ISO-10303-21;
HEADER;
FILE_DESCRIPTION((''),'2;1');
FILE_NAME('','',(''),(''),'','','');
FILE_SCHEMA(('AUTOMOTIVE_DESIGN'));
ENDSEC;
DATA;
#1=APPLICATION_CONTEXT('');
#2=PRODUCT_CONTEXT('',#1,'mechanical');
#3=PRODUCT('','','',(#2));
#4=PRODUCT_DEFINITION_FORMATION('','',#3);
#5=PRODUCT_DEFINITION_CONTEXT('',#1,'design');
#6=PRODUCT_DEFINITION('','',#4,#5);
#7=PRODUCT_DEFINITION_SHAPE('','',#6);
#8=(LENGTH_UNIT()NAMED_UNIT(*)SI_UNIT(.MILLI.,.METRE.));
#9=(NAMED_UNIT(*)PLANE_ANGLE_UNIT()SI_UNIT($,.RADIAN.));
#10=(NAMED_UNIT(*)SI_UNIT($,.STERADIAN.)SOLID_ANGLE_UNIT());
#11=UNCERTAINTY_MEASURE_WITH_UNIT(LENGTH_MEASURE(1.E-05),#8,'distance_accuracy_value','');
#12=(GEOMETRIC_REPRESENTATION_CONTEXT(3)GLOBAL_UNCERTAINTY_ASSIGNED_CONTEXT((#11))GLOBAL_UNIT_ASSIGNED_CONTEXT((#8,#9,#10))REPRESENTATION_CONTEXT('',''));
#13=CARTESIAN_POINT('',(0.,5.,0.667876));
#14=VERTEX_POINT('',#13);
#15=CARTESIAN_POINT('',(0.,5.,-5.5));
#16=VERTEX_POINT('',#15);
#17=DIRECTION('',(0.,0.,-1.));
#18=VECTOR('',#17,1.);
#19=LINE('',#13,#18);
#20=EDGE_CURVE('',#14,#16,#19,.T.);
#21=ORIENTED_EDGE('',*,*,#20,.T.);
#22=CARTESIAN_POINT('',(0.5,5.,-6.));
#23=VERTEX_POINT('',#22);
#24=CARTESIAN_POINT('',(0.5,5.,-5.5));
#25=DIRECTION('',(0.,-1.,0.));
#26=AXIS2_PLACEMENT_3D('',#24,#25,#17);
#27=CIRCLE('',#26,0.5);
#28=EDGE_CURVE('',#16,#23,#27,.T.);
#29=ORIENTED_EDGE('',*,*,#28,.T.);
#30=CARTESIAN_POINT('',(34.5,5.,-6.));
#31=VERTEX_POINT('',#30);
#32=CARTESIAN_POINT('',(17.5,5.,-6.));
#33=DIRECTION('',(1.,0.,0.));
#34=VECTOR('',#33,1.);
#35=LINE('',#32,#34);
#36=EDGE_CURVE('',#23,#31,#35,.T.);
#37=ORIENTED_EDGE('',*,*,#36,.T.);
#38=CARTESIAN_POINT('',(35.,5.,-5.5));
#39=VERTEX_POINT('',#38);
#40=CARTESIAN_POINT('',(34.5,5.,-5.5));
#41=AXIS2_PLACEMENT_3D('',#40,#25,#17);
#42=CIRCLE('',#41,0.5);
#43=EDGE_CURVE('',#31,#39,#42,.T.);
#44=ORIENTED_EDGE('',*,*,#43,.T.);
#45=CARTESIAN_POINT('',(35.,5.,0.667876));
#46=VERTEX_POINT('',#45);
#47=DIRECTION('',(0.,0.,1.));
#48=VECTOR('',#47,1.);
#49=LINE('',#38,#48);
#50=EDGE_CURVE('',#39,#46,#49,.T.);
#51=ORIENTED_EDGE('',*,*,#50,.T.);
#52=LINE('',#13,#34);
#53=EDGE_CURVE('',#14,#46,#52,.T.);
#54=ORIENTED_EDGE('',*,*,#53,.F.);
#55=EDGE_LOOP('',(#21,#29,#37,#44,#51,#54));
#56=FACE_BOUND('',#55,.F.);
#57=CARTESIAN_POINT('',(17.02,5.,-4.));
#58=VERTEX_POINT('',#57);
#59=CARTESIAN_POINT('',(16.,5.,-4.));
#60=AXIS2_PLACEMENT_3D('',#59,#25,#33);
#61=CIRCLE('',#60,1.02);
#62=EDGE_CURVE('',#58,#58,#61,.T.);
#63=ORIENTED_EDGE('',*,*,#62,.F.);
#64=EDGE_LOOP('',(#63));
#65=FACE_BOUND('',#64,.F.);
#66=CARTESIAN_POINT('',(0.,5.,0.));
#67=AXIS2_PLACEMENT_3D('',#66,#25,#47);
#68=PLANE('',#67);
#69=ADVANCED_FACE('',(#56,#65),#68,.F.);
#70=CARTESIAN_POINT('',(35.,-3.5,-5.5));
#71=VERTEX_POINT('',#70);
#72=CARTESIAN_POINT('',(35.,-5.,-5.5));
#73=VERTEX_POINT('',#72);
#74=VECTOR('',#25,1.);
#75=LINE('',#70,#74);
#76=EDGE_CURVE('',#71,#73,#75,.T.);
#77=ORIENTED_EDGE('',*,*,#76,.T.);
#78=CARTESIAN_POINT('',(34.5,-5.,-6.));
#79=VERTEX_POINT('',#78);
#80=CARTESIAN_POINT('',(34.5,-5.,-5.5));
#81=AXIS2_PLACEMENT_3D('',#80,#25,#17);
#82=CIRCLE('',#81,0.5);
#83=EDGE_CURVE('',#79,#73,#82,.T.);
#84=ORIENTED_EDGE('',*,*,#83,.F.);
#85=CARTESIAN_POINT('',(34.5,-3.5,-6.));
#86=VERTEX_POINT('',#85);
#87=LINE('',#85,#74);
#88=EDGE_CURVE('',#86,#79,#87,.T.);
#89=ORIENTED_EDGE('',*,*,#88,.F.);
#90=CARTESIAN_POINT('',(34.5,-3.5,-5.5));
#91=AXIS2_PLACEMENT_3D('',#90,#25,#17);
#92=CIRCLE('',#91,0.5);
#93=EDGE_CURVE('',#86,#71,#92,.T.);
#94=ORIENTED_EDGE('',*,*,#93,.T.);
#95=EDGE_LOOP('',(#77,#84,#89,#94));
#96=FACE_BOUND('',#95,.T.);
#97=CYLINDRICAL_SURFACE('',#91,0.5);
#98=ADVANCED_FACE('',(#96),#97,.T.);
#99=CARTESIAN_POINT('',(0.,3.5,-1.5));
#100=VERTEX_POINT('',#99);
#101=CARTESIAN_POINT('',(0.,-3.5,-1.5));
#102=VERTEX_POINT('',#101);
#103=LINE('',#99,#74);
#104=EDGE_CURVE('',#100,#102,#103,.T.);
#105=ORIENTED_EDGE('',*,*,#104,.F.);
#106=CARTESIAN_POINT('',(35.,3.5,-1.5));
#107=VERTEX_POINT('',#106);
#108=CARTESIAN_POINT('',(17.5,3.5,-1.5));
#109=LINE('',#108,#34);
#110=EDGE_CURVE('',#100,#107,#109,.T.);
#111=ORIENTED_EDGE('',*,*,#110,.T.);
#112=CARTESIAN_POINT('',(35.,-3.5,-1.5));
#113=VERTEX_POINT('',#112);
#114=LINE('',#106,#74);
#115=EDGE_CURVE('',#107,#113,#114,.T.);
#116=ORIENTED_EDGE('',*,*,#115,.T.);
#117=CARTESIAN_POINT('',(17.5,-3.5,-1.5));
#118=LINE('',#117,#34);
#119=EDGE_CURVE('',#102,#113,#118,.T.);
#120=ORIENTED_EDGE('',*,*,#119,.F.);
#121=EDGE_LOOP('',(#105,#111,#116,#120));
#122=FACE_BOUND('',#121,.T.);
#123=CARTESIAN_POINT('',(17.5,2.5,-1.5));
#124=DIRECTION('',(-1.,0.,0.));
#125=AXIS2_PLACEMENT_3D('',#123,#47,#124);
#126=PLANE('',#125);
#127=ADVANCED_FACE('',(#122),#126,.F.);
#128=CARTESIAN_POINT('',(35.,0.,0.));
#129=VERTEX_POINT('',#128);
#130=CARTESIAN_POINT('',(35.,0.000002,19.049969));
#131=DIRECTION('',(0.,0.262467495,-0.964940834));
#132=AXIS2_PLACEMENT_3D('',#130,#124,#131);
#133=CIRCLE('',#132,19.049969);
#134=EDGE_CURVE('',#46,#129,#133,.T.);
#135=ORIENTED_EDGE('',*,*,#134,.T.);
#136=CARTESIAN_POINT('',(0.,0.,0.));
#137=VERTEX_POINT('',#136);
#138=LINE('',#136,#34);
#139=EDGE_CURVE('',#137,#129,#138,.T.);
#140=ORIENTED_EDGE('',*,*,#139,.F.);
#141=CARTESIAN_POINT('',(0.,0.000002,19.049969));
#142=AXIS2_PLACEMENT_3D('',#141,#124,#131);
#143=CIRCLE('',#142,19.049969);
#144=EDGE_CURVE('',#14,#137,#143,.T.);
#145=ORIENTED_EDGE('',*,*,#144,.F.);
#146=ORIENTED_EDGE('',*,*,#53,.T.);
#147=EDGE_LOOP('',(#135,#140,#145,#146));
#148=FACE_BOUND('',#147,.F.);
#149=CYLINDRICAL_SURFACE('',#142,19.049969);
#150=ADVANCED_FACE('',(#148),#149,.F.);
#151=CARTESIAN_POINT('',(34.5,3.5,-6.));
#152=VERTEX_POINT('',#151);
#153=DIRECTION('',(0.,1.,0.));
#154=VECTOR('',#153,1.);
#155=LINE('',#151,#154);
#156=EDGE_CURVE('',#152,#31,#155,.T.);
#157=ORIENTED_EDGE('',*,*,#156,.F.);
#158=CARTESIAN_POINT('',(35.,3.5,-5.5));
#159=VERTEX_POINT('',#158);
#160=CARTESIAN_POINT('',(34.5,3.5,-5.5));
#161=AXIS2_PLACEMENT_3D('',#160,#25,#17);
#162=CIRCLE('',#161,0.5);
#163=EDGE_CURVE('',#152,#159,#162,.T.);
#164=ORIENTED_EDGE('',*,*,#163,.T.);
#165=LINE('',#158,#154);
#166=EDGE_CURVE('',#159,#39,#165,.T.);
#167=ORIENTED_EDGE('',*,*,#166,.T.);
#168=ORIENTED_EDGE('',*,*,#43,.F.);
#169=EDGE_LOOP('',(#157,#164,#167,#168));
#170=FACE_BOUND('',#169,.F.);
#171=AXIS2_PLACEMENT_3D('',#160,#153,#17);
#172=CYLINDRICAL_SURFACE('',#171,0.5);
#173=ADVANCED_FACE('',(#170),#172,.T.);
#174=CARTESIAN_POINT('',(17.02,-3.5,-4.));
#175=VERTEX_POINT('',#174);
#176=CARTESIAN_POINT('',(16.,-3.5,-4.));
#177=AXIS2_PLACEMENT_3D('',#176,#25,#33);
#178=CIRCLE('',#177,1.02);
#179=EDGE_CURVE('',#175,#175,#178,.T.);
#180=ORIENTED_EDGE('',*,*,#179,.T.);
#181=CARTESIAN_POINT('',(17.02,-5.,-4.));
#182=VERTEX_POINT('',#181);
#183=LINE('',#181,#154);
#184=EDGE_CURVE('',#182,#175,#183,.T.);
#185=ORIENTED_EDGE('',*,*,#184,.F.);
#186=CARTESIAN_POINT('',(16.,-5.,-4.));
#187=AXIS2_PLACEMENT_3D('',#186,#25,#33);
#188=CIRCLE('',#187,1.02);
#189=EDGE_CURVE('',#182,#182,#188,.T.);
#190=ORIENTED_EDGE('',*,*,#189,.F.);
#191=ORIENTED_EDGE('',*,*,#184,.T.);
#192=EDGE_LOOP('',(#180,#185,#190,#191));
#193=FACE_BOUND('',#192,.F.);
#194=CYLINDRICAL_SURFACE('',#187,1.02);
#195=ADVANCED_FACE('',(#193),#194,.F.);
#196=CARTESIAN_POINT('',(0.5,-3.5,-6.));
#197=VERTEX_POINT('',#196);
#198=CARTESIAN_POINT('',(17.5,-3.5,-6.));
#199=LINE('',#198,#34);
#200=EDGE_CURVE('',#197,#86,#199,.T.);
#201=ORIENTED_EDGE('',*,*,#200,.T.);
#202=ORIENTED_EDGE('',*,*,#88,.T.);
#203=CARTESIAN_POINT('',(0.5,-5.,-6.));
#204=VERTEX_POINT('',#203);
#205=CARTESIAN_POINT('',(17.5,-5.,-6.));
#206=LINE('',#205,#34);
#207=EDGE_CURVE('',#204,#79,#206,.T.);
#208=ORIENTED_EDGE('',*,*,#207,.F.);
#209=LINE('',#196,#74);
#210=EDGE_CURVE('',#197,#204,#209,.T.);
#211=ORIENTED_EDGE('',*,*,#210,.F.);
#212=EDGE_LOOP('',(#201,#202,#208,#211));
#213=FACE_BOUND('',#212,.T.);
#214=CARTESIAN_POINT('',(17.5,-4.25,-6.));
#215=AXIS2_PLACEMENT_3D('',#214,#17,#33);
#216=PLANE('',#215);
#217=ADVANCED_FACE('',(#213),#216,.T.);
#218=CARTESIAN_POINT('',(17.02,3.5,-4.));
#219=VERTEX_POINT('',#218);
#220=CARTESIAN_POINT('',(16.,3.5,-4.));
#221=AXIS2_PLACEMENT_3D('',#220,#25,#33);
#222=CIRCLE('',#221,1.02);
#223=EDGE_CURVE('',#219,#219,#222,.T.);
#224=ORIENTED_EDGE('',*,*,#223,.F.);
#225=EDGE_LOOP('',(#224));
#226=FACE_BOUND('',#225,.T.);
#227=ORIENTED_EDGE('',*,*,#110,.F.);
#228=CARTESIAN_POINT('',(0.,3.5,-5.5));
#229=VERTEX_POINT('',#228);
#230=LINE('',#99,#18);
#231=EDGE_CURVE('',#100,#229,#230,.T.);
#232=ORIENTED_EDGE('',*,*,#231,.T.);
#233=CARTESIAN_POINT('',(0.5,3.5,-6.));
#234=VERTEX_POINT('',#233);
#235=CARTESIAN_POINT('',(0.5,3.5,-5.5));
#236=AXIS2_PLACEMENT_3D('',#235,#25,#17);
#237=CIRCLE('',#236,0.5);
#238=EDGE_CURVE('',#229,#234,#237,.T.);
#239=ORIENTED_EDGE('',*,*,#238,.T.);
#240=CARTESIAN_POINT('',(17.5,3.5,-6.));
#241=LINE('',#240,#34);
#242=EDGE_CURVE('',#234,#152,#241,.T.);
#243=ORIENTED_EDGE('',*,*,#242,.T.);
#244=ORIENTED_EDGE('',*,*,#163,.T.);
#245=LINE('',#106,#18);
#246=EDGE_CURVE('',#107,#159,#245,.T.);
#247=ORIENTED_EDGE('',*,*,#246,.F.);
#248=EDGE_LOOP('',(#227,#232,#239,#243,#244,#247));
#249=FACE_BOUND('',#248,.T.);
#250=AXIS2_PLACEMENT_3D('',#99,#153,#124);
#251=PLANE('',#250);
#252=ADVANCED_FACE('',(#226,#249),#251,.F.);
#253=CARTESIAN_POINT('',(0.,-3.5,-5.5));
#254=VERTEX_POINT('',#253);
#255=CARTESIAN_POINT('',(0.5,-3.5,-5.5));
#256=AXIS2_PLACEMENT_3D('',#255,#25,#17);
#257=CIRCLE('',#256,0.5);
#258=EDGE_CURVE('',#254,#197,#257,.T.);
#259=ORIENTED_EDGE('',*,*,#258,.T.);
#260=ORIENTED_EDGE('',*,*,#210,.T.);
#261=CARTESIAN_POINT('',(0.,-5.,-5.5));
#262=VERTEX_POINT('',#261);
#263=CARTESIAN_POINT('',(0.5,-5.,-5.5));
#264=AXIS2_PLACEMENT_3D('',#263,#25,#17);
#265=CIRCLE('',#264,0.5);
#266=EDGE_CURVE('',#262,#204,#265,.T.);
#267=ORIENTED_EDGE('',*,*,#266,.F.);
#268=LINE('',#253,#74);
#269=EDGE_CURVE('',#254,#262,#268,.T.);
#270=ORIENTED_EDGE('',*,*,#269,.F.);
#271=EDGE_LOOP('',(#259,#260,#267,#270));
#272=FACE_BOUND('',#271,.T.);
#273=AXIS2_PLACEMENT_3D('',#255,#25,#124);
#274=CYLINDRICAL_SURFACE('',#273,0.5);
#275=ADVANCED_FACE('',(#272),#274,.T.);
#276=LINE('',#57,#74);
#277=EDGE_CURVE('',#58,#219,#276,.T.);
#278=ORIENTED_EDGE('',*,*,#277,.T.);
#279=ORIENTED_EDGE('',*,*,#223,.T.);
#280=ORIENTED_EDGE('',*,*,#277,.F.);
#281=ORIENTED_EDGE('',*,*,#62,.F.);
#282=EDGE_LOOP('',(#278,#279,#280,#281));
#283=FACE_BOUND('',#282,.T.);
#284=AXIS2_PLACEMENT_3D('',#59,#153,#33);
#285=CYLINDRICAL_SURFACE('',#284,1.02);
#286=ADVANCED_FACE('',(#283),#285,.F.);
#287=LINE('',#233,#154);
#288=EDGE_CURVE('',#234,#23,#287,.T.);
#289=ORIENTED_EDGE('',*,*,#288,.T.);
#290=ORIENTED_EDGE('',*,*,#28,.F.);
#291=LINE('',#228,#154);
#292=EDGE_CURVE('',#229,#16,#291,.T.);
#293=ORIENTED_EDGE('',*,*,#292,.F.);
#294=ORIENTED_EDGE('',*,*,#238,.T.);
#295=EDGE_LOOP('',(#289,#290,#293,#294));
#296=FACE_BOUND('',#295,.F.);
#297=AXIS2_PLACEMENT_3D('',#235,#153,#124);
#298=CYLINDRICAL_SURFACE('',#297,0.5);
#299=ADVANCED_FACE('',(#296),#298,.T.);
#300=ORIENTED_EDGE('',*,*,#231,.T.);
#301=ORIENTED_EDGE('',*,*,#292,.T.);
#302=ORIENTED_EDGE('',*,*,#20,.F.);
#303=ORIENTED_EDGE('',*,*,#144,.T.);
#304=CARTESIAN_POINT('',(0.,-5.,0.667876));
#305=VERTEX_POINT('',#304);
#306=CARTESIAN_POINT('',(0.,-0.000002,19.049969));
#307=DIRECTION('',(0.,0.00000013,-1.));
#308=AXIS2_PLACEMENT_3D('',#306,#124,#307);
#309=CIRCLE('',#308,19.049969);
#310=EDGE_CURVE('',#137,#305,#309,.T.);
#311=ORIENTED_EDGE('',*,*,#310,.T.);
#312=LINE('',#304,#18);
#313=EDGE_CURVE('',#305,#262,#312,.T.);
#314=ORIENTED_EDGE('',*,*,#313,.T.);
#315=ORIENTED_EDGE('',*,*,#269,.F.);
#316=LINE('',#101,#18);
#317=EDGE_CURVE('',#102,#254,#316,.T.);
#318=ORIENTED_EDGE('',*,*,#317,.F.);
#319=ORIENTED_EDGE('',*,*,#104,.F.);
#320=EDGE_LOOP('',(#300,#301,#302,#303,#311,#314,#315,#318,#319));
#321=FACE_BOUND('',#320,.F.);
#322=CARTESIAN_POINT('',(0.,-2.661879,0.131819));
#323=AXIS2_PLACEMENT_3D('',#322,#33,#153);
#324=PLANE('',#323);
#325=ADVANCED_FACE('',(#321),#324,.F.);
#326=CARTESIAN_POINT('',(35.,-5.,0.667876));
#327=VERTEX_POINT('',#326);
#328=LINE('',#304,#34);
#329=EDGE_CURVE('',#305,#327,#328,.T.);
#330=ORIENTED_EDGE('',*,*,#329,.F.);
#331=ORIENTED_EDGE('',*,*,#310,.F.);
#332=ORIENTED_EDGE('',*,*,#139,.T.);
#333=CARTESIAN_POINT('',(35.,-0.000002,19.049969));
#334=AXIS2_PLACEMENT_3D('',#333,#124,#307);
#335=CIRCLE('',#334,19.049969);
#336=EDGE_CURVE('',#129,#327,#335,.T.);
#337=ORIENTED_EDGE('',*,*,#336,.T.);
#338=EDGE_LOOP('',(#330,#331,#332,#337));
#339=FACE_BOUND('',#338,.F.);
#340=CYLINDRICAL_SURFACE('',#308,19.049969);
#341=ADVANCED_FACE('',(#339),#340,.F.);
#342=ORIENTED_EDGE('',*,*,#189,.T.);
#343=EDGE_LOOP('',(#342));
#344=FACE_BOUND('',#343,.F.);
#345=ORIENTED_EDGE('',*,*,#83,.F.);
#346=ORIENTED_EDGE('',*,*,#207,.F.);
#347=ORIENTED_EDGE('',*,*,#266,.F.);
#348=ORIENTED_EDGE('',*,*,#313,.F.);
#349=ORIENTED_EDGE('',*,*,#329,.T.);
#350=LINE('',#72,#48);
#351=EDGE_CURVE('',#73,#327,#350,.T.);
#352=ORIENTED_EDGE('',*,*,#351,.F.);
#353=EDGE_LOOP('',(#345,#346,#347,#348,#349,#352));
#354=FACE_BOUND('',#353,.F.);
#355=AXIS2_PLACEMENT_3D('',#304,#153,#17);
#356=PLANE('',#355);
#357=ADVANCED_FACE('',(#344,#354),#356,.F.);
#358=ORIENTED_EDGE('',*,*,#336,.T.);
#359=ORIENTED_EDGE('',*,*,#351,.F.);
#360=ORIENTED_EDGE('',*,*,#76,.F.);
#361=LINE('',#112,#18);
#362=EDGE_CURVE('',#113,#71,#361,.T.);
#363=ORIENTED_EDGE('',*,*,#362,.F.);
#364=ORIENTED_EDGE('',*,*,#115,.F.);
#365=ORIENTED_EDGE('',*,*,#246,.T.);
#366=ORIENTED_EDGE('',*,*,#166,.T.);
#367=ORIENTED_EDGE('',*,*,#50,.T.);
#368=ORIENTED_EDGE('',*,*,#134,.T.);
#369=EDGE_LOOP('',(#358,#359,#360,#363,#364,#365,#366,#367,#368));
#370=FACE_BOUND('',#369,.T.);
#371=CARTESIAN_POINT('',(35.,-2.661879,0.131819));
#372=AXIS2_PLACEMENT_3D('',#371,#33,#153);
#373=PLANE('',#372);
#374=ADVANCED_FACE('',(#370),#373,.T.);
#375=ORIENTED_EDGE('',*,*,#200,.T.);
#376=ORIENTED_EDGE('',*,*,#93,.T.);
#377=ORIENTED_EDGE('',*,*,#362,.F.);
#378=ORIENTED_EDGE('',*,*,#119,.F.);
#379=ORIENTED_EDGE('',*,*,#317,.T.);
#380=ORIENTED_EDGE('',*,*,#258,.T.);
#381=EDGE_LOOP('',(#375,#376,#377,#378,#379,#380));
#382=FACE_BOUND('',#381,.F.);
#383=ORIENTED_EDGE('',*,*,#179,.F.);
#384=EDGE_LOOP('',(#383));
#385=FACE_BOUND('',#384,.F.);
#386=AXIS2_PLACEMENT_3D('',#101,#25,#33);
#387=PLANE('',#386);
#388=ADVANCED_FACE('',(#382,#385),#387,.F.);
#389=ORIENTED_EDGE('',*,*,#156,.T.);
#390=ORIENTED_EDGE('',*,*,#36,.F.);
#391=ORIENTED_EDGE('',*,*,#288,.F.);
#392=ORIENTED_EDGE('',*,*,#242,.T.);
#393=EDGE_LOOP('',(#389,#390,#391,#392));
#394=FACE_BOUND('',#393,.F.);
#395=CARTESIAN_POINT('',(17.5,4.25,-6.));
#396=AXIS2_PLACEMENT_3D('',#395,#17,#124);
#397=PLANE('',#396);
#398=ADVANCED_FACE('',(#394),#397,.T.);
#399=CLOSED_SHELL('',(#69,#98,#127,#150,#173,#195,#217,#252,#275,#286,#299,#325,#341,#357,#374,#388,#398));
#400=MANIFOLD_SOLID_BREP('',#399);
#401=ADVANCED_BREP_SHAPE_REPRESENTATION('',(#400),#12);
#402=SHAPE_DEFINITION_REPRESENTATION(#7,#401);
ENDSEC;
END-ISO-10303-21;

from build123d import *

# Parameters (mm, degrees)
F0_W     = 35
F0_H     = 5
F1_DEPTH = 1.5
F2_W     = 35
F2_H     = 1.5
F3_DEPTH = 4.5
F4_R     = 1.02
F5_DEPTH = 5.001
F6_R     = 0.5
F9_DEPTH = 35


with BuildPart() as f1:
    # F0 (on Top) → F1 (new body)
    with BuildSketch(Plane.XY):
        with Locations((17.5, -2.5)):
            Rectangle(F0_W, F0_H)
    extrude(amount=-F1_DEPTH)

    # F2 (on face) → F3 (join)
    with BuildSketch(Plane(origin=(0, 0, -1.5), x_dir=(1, 0, 0), z_dir=(0, 0, -1))):
        with Locations((17.5, 4.25)):
            Rectangle(F2_W, F2_H)
    extrude(amount=F3_DEPTH)

    # F4 (on face) → F5 (cut, through all)
    with BuildSketch(Plane.XZ.offset(5)):
        with Locations((16, -4)):
            Circle(F4_R)
    extrude(amount=-F5_DEPTH, mode=Mode.SUBTRACT)

    # F6
    f6_edges = [f1.edges().sort_by_distance(p)[0] for p in [
        (35, -4.25, -6),
        (0, -4.25, -6),
    ]]
    fillet(f6_edges, radius=F6_R)

    # F7: F1 across plane


with BuildPart() as f1_1:
    add(f1.part)
    add(f1.part.mirror(Plane.XZ))

    # F8 (on Right) → F9 (join, through all)
    with BuildSketch(Plane.YZ):
        with BuildLine():
            ThreePointArc((0, 0), (-2.522204, 0.167707), (-5, 0.667876))
            Line((-5, 0.667876), (-5, 0))
            Line((-5, 0), (0, 0))
        make_face()
        with BuildLine():
            Line((5, 0), (5, 0.667876))
            ThreePointArc((5, 0.667876), (2.522204, 0.167707), (0, 0))
            Line((0, 0), (5, 0))
        make_face()
    extrude(amount=F9_DEPTH)


solid = f1_1.part
